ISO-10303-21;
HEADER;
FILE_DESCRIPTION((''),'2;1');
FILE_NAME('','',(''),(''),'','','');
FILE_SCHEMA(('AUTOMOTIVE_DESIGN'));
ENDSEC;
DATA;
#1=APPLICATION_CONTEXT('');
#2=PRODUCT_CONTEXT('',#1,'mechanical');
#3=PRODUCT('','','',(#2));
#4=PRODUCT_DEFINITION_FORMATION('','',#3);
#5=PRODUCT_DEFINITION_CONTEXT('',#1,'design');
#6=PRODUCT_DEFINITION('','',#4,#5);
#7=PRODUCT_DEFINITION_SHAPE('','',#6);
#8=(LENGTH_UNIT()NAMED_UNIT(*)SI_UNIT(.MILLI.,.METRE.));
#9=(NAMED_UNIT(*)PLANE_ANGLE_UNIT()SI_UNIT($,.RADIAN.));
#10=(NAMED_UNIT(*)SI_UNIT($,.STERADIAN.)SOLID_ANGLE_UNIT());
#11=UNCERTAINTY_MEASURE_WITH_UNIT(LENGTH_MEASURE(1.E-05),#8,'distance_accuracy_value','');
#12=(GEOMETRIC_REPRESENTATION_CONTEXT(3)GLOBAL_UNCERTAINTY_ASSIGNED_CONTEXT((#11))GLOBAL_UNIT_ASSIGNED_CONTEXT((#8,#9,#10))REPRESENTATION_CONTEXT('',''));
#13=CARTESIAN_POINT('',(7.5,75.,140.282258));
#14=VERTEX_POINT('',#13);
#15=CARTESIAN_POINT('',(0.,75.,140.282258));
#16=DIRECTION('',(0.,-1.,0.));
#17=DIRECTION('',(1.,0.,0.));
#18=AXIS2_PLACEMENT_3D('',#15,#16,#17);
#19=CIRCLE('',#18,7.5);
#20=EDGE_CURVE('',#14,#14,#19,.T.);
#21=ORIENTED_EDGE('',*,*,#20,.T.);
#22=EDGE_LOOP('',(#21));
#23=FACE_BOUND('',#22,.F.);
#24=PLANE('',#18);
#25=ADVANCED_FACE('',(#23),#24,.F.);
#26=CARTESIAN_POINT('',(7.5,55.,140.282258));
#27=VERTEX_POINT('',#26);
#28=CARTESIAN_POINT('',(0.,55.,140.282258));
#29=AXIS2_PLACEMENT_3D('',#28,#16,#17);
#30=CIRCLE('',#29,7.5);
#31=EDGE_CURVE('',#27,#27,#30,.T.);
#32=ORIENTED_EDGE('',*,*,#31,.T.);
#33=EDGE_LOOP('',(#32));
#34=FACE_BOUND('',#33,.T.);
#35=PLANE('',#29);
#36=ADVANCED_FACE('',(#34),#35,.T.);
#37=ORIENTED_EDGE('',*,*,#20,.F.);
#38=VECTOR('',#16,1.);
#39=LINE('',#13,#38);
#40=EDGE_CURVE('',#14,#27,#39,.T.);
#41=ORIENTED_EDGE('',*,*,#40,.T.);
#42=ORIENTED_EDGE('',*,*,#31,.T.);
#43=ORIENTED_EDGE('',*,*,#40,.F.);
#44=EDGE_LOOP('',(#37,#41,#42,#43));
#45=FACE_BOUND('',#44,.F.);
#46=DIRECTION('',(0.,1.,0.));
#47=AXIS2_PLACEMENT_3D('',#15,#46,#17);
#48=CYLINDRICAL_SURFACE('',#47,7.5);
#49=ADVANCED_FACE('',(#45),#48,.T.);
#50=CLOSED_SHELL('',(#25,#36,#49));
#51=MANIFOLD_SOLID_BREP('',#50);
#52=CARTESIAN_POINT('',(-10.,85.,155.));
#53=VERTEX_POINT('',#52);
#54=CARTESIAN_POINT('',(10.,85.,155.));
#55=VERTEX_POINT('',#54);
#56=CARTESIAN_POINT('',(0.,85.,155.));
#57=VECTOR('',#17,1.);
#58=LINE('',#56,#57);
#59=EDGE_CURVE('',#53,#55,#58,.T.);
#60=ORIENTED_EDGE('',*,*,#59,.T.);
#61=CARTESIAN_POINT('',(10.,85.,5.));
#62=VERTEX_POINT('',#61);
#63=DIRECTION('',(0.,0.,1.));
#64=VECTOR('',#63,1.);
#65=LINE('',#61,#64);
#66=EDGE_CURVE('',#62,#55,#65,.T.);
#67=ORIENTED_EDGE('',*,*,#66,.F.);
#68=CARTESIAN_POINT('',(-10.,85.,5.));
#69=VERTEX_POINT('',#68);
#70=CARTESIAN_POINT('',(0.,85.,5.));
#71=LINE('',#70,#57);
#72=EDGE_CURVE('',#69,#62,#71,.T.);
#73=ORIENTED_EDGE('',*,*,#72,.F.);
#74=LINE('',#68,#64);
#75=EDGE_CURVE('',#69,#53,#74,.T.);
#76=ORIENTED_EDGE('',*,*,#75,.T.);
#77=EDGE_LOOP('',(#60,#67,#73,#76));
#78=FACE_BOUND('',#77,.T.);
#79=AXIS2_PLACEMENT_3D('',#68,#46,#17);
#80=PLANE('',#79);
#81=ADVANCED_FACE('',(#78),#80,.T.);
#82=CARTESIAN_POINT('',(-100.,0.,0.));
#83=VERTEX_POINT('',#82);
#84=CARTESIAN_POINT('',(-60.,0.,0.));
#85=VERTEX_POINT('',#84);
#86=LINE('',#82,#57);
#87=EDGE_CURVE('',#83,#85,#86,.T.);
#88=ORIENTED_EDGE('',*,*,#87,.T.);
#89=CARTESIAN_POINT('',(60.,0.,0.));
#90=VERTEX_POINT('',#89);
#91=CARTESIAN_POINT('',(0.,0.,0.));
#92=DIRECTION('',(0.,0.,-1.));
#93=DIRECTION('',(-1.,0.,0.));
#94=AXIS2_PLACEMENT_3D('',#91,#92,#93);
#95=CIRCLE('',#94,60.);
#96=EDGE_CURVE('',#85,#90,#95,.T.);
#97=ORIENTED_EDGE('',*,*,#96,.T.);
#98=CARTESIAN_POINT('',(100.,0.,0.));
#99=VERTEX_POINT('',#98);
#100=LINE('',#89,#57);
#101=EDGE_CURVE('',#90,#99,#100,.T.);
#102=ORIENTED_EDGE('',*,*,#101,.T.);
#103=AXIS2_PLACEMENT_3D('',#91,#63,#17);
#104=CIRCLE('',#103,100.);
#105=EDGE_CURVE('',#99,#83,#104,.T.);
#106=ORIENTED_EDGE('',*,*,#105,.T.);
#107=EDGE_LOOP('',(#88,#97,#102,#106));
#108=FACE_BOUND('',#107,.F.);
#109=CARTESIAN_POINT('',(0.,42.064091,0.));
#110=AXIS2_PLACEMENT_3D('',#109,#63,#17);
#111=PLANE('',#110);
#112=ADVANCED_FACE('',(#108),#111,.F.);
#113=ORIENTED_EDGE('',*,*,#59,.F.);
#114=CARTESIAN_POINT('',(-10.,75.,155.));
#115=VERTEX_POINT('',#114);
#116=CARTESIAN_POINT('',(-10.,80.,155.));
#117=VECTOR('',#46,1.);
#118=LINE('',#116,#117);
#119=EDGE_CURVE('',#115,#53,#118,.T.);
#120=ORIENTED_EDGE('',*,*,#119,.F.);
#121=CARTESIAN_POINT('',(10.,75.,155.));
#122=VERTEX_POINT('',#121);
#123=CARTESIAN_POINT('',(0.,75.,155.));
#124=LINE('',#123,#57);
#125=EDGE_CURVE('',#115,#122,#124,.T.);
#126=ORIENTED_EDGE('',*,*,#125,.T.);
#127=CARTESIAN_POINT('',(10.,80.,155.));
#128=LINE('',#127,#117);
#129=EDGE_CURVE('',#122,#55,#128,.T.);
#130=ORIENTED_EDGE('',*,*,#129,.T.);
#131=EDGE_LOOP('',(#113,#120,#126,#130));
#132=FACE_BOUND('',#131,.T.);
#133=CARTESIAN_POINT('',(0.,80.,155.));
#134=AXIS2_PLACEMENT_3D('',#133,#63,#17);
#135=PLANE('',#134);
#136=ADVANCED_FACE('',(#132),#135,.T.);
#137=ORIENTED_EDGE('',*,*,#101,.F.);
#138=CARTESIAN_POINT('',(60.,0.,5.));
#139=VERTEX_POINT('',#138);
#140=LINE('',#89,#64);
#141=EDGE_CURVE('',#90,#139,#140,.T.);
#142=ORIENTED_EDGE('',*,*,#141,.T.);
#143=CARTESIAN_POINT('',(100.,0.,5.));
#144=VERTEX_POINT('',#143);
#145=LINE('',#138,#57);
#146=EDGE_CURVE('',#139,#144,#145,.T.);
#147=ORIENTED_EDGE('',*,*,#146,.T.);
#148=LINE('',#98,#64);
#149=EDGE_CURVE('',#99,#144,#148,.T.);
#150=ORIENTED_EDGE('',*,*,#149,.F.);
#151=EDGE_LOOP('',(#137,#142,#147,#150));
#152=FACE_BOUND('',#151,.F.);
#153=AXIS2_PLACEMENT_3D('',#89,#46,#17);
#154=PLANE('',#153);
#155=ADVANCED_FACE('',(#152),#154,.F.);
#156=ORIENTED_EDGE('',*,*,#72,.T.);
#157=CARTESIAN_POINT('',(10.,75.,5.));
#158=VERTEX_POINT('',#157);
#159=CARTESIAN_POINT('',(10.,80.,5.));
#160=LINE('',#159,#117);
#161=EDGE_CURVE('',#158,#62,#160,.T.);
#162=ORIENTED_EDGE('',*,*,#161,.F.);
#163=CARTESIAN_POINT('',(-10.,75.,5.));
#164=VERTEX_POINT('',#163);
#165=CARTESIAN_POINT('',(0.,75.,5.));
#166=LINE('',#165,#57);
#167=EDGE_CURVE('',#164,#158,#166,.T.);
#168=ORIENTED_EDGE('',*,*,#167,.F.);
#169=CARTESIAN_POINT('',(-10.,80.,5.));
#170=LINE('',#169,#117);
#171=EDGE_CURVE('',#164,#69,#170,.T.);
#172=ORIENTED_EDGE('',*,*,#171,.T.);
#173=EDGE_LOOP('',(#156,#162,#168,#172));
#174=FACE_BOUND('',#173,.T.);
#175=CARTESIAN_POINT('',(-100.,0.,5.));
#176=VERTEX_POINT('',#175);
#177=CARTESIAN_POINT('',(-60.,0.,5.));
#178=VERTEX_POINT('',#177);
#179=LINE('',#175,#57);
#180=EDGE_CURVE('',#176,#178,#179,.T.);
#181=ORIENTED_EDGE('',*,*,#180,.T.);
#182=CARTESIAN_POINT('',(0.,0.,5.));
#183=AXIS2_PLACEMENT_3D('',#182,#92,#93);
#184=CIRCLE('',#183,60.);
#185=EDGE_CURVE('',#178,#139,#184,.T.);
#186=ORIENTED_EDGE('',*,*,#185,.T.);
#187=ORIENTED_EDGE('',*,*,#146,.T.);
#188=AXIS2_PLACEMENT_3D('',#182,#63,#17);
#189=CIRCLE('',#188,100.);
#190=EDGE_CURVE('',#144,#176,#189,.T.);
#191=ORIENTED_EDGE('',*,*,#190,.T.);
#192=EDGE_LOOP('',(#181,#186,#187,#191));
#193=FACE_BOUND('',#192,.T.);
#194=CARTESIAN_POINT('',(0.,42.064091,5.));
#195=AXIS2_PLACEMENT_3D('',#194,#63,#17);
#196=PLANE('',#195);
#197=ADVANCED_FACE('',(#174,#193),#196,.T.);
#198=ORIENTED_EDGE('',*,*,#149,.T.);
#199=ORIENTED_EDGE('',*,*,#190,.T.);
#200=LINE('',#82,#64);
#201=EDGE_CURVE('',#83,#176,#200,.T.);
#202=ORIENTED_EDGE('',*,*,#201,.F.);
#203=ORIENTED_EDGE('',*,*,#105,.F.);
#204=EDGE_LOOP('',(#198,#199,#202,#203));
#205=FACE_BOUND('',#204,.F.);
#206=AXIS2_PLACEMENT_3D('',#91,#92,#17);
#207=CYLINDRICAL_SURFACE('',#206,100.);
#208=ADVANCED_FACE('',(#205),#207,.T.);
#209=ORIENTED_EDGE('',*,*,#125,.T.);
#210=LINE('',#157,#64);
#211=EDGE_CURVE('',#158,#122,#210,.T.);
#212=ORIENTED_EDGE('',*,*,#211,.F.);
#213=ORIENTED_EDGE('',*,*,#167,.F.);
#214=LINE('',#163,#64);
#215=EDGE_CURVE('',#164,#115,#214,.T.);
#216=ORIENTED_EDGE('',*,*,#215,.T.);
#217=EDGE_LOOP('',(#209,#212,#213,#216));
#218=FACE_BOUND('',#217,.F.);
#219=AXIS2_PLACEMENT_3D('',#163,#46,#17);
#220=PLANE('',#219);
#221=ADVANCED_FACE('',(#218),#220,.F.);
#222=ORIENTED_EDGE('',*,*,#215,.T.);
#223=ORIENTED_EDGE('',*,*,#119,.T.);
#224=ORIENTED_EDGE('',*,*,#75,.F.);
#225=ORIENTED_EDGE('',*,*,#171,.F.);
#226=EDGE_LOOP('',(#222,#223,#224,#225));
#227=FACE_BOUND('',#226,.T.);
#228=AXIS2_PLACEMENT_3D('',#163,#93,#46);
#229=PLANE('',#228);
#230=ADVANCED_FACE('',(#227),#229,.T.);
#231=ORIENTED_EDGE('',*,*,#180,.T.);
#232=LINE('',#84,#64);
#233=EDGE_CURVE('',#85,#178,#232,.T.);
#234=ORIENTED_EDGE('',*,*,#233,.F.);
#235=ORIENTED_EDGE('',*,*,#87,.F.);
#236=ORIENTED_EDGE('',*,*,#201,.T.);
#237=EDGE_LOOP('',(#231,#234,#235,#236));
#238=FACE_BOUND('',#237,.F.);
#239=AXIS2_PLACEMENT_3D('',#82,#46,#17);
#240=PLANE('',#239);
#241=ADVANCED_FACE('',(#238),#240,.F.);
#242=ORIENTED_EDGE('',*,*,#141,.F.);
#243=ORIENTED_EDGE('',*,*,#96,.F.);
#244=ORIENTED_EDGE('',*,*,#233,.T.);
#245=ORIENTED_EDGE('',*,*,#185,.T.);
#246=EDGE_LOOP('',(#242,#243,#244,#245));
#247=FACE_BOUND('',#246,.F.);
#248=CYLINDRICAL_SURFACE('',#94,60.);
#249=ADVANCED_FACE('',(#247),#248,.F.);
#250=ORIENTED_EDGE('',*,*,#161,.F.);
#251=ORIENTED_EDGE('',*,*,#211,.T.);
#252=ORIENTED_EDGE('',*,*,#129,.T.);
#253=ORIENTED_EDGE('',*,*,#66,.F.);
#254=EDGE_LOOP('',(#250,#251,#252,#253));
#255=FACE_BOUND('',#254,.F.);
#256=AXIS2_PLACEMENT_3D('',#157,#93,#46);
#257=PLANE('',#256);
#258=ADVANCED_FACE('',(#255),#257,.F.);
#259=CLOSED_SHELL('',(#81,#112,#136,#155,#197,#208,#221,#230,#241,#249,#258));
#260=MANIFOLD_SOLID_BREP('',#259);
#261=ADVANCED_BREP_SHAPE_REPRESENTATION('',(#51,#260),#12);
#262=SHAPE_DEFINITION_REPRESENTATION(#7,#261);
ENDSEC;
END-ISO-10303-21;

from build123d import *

# Parameters (mm, degrees)
F1_DEPTH = 5
F2_W     = 20
F2_H     = 10
F3_DEPTH = 150
F4_R     = 7.5
F5_DEPTH = 20


with BuildPart() as f1:
    # F0 (on Top) → F1 (new body)
    with BuildSketch(Plane.XY):
        with BuildLine():
            Line((60, 0), (100, 0))
            ThreePointArc((100, 0), (0, 100), (-100, 0))
            Line((-100, 0), (-60, 0))
            ThreePointArc((-60, 0), (0, 60), (60, 0))
        make_face()
    extrude(amount=F1_DEPTH)

    # F2 (on face) → F3 (join)
    with BuildSketch(Plane.XY.offset(5)):
        with Locations((0, 80)):
            Rectangle(F2_W, F2_H)
    extrude(amount=F3_DEPTH)


with BuildPart() as f5:
    # F4 (on face) → F5 (new body)
    with BuildSketch(Plane.XZ.offset(-75)):
        with Locations((0, 140.282258)):
            Circle(F4_R)
    extrude(amount=F5_DEPTH)


solid = Compound([f1.part, f5.part])
